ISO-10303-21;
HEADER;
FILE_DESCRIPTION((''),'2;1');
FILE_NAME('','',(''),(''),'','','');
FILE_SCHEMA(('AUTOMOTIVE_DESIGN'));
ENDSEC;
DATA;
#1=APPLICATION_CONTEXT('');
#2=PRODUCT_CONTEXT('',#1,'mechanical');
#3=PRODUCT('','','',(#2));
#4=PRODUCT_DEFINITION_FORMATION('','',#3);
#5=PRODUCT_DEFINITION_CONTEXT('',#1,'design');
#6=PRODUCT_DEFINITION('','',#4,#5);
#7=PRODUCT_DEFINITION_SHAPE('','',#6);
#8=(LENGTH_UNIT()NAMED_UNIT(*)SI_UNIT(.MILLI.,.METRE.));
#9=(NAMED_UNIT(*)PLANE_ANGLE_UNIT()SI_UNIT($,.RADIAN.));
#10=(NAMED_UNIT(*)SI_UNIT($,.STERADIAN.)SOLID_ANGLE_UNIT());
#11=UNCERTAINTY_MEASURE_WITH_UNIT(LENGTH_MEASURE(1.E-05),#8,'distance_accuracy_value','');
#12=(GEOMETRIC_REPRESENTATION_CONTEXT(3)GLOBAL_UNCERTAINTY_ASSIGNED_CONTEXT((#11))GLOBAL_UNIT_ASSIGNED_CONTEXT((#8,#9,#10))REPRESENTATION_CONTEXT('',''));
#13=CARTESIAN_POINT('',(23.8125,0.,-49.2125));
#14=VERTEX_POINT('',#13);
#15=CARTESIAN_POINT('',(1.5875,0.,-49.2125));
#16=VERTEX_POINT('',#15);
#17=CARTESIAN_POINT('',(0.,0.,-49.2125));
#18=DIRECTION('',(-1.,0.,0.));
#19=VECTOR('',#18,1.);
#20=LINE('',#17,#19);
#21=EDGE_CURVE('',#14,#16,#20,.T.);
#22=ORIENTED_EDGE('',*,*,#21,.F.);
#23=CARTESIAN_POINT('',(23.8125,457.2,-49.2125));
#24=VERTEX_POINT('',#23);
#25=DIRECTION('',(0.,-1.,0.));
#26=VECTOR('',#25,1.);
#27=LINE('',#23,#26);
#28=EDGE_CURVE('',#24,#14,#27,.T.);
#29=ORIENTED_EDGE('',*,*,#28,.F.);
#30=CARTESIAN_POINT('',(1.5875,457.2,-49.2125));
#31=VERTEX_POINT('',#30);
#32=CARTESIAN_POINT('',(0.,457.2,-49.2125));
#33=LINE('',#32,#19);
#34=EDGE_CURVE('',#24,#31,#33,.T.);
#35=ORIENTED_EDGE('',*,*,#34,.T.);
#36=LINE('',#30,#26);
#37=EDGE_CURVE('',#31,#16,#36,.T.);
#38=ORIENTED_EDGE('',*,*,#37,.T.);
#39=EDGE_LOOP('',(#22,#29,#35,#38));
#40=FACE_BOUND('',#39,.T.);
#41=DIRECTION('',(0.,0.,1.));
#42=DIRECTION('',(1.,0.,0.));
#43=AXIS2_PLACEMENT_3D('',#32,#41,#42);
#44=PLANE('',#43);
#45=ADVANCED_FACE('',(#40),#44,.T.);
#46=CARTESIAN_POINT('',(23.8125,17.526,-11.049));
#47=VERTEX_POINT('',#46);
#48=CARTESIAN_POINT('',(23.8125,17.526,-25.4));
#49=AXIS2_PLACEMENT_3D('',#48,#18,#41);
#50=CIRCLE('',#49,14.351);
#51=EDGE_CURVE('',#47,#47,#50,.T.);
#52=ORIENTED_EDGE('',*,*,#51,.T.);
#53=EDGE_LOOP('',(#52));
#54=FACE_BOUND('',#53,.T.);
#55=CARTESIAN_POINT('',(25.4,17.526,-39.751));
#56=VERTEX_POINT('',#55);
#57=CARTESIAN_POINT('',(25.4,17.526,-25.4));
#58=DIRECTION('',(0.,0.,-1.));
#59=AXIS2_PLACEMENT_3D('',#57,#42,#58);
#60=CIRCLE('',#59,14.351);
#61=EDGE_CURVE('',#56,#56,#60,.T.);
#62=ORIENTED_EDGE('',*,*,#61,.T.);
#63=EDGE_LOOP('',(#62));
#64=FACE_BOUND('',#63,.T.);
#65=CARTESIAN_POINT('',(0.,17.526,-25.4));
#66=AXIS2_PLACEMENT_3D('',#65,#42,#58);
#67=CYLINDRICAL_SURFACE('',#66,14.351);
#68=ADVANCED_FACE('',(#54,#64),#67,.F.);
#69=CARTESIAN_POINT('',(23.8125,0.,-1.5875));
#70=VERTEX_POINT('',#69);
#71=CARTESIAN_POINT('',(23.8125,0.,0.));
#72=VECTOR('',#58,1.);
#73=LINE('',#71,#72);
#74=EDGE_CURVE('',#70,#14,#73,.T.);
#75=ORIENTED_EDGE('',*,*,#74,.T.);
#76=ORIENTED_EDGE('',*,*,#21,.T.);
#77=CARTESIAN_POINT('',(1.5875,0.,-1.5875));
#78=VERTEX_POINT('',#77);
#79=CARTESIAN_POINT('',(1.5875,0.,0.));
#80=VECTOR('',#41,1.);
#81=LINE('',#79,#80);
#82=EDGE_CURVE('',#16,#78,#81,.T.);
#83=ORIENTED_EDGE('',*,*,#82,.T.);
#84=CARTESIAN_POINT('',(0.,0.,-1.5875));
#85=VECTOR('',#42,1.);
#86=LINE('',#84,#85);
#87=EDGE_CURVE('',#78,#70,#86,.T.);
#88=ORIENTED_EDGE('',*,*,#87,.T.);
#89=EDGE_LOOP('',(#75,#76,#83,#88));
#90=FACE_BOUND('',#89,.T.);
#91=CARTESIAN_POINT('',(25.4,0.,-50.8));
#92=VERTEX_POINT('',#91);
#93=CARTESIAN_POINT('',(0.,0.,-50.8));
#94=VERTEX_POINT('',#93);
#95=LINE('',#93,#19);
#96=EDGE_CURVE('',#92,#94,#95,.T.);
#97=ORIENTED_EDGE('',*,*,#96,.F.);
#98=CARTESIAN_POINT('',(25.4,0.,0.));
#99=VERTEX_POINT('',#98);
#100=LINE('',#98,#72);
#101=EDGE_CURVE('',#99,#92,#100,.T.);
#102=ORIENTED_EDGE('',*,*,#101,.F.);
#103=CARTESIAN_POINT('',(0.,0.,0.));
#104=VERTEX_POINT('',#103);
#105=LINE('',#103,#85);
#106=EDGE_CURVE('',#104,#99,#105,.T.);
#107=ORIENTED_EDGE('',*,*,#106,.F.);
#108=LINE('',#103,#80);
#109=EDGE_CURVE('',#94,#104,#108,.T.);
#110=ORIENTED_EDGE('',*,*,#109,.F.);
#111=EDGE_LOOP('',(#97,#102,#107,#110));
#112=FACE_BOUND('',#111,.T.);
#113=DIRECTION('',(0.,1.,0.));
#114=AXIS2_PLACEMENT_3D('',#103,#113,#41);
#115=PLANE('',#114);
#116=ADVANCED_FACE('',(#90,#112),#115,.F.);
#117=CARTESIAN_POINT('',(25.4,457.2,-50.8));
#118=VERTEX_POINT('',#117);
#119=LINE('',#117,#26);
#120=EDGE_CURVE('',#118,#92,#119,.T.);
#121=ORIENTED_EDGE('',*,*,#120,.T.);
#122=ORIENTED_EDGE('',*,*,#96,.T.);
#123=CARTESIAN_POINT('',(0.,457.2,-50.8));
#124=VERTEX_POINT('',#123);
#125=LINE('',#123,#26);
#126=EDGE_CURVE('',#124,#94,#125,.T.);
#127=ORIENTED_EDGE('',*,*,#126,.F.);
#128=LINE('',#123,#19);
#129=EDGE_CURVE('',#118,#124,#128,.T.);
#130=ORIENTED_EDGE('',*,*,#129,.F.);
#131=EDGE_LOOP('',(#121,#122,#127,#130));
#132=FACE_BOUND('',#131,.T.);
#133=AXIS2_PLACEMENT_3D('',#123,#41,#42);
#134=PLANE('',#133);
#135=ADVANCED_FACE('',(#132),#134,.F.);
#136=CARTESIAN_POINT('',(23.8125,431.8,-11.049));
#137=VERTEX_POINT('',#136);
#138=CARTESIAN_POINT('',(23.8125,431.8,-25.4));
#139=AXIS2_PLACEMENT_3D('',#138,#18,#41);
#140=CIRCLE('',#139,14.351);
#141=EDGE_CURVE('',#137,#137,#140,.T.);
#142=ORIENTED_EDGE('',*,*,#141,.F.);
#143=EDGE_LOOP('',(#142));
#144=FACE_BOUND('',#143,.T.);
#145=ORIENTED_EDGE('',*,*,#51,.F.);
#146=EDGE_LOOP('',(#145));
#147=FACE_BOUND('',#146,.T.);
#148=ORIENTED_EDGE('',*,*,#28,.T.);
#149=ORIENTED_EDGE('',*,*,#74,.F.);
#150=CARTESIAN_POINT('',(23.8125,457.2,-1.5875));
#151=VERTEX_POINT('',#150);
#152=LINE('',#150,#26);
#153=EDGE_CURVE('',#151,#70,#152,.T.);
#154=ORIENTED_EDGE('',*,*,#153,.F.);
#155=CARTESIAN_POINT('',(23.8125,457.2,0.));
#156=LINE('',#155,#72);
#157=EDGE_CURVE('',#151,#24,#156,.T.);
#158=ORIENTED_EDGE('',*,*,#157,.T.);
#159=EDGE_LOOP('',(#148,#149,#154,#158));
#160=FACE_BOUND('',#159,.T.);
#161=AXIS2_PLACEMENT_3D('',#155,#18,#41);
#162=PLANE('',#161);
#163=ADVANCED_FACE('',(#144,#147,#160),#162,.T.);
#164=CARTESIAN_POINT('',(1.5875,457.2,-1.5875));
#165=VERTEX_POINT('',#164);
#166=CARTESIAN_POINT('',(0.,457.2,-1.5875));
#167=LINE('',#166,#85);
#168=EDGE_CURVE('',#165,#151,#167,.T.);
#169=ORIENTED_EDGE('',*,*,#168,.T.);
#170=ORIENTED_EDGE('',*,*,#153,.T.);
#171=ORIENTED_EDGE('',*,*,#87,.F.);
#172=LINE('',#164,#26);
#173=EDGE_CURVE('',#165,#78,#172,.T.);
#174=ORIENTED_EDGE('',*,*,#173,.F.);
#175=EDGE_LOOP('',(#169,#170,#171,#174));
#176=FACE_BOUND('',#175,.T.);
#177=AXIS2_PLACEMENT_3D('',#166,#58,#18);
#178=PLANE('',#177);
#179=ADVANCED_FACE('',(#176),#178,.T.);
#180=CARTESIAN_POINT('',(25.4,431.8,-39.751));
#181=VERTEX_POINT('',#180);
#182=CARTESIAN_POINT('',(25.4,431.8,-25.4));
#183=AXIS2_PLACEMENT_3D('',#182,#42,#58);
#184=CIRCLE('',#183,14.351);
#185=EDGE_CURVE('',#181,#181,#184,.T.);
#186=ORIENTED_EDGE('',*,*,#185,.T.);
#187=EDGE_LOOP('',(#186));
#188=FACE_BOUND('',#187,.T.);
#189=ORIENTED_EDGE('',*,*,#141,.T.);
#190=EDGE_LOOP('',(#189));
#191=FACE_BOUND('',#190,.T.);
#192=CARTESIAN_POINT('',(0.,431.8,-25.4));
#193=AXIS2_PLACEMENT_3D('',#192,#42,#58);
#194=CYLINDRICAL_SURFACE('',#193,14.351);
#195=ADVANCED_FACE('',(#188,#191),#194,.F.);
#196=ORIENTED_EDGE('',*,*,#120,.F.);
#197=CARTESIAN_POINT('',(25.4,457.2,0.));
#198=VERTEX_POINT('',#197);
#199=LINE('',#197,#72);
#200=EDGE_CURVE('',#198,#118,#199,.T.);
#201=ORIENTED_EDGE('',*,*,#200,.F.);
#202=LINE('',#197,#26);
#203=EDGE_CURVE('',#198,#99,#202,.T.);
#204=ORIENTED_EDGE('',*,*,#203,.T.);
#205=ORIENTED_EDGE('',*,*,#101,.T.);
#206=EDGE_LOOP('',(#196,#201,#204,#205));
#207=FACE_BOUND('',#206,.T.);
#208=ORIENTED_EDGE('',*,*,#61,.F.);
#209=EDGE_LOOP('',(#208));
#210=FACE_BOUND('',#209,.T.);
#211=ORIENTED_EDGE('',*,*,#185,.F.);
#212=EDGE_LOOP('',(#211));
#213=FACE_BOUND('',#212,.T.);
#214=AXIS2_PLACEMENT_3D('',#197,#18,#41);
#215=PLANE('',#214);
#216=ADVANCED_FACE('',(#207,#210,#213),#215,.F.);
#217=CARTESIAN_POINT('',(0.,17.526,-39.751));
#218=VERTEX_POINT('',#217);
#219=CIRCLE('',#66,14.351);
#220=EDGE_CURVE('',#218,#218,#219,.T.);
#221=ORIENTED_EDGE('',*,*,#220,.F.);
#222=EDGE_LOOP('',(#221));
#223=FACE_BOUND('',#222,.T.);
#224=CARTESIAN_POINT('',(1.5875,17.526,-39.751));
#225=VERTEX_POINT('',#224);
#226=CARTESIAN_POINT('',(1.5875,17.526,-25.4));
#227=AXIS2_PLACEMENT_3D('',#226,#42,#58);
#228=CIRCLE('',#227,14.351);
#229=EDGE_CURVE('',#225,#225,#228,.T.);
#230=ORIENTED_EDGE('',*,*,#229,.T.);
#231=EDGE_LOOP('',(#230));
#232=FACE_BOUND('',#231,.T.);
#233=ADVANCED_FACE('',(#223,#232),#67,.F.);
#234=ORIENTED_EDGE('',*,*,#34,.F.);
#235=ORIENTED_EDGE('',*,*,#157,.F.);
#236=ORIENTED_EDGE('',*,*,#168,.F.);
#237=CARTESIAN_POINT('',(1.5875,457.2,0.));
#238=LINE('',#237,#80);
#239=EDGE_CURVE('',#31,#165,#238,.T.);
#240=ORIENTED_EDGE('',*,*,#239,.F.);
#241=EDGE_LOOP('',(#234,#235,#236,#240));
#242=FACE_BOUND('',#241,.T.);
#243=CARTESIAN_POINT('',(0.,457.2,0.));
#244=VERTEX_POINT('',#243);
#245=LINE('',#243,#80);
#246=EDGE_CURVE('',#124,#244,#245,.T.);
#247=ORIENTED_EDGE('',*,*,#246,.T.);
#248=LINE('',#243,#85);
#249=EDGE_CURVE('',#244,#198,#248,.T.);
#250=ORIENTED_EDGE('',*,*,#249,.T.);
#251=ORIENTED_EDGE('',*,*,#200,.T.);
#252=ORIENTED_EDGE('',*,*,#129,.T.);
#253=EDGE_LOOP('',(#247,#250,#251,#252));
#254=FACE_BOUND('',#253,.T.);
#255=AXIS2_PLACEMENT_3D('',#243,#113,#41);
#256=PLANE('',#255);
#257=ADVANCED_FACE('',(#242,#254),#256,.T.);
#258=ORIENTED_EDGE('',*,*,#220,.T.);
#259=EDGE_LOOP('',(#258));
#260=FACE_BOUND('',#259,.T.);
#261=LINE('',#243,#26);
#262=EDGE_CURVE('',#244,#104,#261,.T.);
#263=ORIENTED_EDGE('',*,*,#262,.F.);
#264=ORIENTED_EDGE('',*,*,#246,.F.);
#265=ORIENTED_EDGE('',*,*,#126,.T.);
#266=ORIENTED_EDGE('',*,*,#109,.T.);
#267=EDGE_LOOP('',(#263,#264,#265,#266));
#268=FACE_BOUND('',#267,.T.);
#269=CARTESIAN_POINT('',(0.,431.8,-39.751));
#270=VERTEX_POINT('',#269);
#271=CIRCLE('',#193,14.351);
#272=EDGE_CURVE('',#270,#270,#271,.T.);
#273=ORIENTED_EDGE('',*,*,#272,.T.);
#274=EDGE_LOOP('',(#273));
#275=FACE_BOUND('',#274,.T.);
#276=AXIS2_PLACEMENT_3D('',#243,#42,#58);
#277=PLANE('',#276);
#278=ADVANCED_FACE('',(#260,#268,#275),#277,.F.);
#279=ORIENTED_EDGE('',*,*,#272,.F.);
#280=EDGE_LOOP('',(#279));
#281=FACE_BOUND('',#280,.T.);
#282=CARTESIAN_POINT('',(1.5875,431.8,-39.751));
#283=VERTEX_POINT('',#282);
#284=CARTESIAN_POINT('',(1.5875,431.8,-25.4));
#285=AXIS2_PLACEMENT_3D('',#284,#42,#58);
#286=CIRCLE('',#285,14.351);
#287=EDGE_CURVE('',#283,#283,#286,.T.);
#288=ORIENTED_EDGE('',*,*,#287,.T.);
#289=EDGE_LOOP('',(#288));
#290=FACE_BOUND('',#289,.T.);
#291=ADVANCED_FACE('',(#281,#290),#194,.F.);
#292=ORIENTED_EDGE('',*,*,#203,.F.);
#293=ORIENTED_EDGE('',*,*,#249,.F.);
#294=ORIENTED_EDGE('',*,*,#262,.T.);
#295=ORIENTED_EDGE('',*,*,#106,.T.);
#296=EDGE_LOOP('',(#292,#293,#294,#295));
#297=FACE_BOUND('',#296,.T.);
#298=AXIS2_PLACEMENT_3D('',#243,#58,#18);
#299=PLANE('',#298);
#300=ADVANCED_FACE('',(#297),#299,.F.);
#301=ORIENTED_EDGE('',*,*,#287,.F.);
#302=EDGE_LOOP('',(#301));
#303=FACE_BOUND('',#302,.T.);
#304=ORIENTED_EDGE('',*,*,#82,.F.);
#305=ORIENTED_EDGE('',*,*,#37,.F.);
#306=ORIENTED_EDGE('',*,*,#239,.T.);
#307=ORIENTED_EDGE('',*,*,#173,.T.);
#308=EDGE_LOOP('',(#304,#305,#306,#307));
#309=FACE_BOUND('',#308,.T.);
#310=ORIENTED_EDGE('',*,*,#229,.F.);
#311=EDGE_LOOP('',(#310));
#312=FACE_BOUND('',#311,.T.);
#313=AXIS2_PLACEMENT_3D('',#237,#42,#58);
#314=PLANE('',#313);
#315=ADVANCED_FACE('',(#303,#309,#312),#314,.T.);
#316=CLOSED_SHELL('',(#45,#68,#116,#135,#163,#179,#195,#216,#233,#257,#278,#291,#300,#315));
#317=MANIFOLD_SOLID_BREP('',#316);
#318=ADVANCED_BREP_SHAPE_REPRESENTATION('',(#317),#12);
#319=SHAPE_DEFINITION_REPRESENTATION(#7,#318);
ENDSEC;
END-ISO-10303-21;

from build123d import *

# Parameters (mm, degrees)
SKETCH1_W           = 25.4
SKETCH1_H           = 50.8
SKETCH1_W_2         = 22.225
SKETCH1_H_2         = 47.625
EXTRUDE_THIN1_DEPTH = 457.2
SKETCH2_R           = 14.351
CUT_EXTRUDE1_DEPTH  = 461.714271539


with BuildPart() as part:
    # Sketch1 → Extrude-Thin1 (new body)
    with BuildSketch(Plane(origin=(0, 0, 0), x_dir=(1, 0, 0), z_dir=(0, 1, 0))):
        with Locations((12.7, 25.4)):
            Rectangle(SKETCH1_W, SKETCH1_H)
        with Locations((12.7, 25.4)):
            Rectangle(SKETCH1_W_2, SKETCH1_H_2, mode=Mode.SUBTRACT)
    extrude(amount=EXTRUDE_THIN1_DEPTH)

    # Sketch2 → Cut-Extrude1 (cut, through all)
    with BuildSketch(Plane(origin=(25.4, 0, 0), x_dir=(0, 0, -1), z_dir=(1, 0, 0))):
        with Locations((25.4, 17.526)):
            Circle(SKETCH2_R)
        with Locations((25.4, 431.8)):
            Circle(SKETCH2_R)
    extrude(amount=-CUT_EXTRUDE1_DEPTH, mode=Mode.SUBTRACT)


solid = part.part
